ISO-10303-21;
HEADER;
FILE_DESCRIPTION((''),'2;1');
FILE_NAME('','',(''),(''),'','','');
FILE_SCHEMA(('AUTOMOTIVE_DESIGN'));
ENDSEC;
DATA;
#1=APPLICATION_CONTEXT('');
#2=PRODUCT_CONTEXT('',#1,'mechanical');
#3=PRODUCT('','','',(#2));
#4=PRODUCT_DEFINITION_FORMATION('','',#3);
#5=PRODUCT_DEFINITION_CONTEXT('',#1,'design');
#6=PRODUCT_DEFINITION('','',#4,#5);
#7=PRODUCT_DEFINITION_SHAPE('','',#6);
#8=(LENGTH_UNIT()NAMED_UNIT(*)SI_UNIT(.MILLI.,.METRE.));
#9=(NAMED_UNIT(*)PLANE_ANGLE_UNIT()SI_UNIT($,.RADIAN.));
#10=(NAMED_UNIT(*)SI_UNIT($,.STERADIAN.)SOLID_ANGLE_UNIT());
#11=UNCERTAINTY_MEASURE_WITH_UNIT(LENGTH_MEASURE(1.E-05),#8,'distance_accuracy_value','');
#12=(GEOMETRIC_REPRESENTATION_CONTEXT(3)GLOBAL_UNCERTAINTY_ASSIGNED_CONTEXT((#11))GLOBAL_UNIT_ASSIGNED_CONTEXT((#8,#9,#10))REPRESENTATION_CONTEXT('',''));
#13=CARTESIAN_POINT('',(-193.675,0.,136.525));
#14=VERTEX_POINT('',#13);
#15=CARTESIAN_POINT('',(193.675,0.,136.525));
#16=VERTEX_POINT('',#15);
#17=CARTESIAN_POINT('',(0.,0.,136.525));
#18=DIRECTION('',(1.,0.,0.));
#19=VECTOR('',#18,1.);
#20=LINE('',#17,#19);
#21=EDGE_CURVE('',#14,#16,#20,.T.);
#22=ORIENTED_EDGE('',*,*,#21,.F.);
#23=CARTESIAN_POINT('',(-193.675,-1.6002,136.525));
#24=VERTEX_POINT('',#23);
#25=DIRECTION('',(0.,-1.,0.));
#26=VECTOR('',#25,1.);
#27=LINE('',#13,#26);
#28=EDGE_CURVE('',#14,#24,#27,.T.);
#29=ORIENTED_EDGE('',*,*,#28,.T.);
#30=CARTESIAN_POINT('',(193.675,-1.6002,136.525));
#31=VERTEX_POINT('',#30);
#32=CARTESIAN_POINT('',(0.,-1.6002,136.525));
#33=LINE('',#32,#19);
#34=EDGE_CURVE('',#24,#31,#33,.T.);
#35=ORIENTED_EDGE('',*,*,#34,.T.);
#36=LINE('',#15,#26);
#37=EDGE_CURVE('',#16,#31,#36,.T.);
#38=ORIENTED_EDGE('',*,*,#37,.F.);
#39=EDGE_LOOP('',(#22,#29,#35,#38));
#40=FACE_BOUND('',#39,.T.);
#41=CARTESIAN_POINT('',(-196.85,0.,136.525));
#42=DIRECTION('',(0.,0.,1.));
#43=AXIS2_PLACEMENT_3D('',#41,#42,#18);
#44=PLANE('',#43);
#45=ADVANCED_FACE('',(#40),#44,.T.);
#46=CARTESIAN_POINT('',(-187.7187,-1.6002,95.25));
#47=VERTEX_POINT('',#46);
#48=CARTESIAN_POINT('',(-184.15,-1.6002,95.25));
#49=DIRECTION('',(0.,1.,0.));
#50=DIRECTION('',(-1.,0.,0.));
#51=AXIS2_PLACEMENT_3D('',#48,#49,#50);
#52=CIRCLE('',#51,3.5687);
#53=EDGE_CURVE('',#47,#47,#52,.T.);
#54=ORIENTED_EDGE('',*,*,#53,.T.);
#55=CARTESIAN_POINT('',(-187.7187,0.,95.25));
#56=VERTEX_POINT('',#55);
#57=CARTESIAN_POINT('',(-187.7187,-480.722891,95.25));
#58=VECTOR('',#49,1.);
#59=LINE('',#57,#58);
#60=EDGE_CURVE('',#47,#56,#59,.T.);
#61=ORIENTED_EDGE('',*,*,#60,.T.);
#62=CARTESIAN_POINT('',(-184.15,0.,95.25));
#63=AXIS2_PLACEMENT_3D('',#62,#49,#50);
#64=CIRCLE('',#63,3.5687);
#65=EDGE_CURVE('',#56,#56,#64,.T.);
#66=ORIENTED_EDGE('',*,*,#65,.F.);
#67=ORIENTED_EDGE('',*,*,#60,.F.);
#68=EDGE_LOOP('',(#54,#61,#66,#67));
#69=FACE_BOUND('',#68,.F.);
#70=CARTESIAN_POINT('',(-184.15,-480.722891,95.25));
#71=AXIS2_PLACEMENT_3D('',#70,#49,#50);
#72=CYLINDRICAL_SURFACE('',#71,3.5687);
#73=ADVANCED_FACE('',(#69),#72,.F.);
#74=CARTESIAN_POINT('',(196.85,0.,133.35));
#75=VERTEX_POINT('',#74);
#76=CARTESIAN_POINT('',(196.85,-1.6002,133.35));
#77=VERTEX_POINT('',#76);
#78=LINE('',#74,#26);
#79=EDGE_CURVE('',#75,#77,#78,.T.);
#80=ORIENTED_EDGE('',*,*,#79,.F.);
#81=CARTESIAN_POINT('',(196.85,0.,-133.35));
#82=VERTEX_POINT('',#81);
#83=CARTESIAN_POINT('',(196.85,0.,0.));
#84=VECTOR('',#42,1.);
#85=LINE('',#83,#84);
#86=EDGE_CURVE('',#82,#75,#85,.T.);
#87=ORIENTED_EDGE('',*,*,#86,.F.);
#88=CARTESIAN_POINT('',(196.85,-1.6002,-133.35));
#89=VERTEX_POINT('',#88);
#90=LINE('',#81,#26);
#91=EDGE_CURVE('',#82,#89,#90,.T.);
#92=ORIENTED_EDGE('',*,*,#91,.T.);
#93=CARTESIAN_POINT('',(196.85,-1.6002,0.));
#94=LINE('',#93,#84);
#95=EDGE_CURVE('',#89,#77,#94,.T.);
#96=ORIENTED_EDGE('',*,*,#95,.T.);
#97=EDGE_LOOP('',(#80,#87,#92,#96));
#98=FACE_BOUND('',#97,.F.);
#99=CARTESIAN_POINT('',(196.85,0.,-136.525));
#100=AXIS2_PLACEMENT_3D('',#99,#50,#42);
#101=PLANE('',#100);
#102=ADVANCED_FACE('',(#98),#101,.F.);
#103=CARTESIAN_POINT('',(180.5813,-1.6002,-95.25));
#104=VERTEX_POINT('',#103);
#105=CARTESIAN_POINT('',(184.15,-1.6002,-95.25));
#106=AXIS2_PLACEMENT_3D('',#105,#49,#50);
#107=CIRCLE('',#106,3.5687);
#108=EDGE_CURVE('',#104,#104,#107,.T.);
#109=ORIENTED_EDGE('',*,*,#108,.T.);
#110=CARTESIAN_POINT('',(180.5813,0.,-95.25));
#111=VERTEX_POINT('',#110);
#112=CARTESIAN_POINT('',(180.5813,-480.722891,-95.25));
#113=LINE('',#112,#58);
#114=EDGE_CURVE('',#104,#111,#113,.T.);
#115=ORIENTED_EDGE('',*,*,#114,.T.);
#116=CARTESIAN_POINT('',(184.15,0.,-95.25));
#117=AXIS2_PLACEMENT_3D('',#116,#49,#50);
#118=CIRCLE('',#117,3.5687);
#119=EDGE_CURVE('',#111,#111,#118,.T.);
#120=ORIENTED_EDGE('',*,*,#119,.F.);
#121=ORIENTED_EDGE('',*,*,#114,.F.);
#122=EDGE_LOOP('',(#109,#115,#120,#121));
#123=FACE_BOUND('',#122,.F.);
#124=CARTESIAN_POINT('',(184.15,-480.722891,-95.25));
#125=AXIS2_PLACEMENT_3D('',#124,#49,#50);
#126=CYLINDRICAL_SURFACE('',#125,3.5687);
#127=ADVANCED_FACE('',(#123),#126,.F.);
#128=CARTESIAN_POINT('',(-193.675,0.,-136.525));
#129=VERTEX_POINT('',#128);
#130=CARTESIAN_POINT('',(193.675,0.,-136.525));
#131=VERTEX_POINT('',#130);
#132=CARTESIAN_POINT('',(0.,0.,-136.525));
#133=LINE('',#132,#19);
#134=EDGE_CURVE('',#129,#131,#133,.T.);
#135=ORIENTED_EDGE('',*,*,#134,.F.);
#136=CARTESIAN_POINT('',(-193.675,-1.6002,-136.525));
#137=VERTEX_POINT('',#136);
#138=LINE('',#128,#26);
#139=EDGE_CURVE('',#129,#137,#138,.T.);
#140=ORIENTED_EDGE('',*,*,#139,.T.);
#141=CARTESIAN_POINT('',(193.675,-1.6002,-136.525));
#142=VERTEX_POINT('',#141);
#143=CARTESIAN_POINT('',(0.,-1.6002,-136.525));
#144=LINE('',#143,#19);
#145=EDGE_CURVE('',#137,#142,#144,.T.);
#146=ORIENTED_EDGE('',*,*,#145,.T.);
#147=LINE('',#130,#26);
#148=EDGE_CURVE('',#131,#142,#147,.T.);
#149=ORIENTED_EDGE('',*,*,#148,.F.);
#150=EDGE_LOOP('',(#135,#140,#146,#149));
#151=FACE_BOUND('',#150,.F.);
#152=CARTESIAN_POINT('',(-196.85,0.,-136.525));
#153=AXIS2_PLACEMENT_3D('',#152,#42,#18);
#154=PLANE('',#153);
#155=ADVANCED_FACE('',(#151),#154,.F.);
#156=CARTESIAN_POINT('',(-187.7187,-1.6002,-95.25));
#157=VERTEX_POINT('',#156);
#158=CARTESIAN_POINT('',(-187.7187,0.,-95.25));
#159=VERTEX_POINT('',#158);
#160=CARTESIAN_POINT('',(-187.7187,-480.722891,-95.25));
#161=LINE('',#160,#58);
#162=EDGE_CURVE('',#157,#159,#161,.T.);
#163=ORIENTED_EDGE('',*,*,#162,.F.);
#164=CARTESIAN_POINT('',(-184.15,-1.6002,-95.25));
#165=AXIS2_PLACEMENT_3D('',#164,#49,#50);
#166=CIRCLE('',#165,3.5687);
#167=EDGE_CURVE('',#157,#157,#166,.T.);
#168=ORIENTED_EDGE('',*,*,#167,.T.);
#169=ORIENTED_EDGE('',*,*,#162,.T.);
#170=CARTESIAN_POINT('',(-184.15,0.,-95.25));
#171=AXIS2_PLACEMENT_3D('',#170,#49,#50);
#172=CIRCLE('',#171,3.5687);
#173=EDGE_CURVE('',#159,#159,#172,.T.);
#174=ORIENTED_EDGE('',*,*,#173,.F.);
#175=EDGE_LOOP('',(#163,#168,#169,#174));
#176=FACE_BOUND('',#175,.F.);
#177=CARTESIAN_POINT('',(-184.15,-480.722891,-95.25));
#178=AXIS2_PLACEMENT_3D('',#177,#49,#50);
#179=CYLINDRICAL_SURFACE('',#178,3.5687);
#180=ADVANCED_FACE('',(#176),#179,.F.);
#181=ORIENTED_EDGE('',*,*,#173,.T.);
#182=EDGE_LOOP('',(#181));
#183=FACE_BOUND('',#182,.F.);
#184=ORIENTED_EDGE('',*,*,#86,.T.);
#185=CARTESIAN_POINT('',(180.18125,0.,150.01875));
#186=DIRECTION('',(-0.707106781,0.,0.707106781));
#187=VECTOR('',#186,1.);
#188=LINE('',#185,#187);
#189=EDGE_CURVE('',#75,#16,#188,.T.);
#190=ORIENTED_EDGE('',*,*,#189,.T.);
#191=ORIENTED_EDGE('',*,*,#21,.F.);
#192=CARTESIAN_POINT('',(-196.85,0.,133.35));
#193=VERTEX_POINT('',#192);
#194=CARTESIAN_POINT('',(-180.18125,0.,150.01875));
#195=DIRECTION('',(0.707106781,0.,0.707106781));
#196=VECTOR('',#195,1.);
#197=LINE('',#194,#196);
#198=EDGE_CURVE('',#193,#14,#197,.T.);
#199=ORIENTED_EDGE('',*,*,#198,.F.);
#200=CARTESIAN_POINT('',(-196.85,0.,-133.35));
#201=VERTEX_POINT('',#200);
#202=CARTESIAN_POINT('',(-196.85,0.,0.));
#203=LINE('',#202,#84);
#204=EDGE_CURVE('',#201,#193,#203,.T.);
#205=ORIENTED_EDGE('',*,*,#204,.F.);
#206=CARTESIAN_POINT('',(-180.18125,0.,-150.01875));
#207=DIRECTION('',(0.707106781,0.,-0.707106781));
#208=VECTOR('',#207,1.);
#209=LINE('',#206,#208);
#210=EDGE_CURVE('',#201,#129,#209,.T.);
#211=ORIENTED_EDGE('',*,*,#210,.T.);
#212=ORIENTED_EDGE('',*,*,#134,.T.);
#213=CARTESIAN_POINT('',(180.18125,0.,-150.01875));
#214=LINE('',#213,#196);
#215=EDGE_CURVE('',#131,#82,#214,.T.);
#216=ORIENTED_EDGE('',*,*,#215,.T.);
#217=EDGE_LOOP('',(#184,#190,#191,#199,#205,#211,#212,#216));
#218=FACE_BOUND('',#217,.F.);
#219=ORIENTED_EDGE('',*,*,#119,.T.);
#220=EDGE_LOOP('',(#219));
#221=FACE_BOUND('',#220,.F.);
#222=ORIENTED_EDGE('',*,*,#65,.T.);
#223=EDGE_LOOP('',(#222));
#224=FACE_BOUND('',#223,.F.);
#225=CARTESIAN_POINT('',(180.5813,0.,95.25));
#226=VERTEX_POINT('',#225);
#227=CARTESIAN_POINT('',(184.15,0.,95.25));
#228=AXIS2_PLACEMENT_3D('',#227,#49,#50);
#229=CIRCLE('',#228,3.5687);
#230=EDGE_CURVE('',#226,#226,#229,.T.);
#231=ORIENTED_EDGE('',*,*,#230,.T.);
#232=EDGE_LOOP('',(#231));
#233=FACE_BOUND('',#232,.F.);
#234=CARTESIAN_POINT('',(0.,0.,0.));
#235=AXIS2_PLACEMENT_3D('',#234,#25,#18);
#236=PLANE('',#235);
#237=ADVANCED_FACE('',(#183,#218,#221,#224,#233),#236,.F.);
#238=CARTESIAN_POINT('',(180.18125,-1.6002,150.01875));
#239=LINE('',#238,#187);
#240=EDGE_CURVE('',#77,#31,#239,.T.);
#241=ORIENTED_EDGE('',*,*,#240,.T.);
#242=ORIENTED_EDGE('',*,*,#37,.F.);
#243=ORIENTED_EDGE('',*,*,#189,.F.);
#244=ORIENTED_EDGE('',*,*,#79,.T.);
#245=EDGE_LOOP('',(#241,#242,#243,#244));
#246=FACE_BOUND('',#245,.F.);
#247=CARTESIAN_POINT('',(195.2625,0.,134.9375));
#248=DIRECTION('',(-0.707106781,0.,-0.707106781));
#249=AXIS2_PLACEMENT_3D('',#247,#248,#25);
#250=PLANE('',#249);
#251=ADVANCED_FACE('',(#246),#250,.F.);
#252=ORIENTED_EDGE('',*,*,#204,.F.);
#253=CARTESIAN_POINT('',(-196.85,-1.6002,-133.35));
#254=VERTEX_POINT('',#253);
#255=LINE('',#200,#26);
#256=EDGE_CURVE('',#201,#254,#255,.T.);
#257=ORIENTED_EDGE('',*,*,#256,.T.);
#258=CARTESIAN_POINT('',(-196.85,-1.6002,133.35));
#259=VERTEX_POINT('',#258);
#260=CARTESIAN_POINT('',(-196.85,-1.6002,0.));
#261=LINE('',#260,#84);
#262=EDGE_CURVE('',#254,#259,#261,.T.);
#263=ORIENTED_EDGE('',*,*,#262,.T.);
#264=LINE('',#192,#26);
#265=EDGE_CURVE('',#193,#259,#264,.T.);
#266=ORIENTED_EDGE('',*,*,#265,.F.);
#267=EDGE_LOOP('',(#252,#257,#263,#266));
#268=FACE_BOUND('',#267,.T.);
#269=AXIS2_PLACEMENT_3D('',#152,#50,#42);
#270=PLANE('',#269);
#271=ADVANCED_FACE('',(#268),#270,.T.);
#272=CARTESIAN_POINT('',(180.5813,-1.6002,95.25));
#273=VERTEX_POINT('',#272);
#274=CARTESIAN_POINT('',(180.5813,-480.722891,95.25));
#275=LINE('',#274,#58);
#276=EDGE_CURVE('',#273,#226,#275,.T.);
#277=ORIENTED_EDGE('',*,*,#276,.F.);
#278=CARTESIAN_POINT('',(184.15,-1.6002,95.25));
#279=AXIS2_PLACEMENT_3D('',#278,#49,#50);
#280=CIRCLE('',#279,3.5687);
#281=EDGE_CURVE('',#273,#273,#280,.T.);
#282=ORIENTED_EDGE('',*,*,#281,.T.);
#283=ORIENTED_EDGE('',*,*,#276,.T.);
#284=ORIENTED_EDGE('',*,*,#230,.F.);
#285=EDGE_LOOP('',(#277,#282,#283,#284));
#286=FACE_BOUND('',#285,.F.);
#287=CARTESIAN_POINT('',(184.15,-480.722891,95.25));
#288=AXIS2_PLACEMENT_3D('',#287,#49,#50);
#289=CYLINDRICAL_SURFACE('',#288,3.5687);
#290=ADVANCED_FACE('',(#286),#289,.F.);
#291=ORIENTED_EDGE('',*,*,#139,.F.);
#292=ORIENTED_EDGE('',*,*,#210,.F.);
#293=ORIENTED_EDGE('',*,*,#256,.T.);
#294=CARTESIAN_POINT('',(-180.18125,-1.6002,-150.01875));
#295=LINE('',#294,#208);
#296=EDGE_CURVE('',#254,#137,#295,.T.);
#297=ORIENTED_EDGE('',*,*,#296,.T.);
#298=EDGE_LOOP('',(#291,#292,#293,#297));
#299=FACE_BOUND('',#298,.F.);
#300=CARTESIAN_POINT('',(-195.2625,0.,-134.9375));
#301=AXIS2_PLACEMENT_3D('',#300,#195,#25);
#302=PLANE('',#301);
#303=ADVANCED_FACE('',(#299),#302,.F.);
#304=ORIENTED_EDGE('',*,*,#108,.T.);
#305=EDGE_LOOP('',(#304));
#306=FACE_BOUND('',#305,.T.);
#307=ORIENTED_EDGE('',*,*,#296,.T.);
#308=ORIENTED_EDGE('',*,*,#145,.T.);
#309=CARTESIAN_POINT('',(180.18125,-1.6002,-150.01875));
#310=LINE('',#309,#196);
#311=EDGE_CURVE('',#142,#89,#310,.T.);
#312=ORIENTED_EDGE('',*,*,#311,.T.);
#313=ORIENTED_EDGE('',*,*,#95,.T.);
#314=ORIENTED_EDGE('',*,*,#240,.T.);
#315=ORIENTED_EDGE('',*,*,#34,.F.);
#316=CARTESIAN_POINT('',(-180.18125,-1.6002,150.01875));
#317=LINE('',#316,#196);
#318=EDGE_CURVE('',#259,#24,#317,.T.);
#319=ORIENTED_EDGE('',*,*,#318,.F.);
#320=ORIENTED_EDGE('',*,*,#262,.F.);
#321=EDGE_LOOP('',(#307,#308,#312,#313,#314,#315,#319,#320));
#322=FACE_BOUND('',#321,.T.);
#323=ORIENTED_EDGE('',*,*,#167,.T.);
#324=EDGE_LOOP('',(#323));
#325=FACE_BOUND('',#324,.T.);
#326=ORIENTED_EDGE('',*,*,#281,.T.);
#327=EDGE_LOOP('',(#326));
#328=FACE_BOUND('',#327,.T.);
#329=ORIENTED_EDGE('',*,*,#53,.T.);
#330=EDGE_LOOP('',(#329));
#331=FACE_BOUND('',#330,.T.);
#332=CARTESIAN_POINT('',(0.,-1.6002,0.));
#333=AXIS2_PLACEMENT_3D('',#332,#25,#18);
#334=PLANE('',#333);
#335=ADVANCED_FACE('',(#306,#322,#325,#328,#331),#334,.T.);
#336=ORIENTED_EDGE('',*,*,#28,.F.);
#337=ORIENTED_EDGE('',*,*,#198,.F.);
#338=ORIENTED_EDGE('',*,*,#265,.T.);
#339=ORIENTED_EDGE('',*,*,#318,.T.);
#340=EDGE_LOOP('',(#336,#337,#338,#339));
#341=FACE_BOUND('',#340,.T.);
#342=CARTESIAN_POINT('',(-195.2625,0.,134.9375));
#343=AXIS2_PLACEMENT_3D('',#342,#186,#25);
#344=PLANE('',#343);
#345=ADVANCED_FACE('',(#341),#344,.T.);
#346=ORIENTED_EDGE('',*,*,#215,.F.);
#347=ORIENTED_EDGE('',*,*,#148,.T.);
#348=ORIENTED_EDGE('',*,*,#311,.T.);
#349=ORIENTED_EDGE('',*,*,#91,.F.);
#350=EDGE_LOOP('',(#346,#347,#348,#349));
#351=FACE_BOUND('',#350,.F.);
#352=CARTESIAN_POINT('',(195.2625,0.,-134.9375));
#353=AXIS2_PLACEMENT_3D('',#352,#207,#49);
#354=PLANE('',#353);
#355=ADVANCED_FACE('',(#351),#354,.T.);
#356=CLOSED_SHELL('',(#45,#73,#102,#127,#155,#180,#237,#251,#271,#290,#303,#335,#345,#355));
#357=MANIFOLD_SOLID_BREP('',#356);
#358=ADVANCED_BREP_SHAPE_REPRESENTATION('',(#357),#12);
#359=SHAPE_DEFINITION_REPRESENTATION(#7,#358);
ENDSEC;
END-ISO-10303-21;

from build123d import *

# Parameters (mm, degrees)
F0_W     = 393.7
F0_H     = 273.05
F1_DEPTH = 1.6002
F2_SIZE  = 3.175
F4_D     = 7.1374


with BuildPart() as f1:
    # F0 (on Front) → F1 (new body)
    with BuildSketch(Plane.XZ):
        Rectangle(F0_W, F0_H)
    extrude(amount=F1_DEPTH)

    # F2
    f2_edges = [f1.edges().sort_by_distance(p)[0] for p in [
        (-196.85, -0.8001, 136.525),
        (-196.85, -0.8001, -136.525),
        (196.85, -0.8001, -136.525),
        (196.85, -0.8001, 136.525),
    ]]
    chamfer(f2_edges, length=F2_SIZE)

    # F4 (through all)
    with Locations(Plane.XZ.offset(1.6002)):
        with Locations((-184.15, 95.25), (184.15, 95.25), (184.15, -95.25), (-184.15, -95.25)):
            Hole(F4_D / 2)


solid = f1.part
